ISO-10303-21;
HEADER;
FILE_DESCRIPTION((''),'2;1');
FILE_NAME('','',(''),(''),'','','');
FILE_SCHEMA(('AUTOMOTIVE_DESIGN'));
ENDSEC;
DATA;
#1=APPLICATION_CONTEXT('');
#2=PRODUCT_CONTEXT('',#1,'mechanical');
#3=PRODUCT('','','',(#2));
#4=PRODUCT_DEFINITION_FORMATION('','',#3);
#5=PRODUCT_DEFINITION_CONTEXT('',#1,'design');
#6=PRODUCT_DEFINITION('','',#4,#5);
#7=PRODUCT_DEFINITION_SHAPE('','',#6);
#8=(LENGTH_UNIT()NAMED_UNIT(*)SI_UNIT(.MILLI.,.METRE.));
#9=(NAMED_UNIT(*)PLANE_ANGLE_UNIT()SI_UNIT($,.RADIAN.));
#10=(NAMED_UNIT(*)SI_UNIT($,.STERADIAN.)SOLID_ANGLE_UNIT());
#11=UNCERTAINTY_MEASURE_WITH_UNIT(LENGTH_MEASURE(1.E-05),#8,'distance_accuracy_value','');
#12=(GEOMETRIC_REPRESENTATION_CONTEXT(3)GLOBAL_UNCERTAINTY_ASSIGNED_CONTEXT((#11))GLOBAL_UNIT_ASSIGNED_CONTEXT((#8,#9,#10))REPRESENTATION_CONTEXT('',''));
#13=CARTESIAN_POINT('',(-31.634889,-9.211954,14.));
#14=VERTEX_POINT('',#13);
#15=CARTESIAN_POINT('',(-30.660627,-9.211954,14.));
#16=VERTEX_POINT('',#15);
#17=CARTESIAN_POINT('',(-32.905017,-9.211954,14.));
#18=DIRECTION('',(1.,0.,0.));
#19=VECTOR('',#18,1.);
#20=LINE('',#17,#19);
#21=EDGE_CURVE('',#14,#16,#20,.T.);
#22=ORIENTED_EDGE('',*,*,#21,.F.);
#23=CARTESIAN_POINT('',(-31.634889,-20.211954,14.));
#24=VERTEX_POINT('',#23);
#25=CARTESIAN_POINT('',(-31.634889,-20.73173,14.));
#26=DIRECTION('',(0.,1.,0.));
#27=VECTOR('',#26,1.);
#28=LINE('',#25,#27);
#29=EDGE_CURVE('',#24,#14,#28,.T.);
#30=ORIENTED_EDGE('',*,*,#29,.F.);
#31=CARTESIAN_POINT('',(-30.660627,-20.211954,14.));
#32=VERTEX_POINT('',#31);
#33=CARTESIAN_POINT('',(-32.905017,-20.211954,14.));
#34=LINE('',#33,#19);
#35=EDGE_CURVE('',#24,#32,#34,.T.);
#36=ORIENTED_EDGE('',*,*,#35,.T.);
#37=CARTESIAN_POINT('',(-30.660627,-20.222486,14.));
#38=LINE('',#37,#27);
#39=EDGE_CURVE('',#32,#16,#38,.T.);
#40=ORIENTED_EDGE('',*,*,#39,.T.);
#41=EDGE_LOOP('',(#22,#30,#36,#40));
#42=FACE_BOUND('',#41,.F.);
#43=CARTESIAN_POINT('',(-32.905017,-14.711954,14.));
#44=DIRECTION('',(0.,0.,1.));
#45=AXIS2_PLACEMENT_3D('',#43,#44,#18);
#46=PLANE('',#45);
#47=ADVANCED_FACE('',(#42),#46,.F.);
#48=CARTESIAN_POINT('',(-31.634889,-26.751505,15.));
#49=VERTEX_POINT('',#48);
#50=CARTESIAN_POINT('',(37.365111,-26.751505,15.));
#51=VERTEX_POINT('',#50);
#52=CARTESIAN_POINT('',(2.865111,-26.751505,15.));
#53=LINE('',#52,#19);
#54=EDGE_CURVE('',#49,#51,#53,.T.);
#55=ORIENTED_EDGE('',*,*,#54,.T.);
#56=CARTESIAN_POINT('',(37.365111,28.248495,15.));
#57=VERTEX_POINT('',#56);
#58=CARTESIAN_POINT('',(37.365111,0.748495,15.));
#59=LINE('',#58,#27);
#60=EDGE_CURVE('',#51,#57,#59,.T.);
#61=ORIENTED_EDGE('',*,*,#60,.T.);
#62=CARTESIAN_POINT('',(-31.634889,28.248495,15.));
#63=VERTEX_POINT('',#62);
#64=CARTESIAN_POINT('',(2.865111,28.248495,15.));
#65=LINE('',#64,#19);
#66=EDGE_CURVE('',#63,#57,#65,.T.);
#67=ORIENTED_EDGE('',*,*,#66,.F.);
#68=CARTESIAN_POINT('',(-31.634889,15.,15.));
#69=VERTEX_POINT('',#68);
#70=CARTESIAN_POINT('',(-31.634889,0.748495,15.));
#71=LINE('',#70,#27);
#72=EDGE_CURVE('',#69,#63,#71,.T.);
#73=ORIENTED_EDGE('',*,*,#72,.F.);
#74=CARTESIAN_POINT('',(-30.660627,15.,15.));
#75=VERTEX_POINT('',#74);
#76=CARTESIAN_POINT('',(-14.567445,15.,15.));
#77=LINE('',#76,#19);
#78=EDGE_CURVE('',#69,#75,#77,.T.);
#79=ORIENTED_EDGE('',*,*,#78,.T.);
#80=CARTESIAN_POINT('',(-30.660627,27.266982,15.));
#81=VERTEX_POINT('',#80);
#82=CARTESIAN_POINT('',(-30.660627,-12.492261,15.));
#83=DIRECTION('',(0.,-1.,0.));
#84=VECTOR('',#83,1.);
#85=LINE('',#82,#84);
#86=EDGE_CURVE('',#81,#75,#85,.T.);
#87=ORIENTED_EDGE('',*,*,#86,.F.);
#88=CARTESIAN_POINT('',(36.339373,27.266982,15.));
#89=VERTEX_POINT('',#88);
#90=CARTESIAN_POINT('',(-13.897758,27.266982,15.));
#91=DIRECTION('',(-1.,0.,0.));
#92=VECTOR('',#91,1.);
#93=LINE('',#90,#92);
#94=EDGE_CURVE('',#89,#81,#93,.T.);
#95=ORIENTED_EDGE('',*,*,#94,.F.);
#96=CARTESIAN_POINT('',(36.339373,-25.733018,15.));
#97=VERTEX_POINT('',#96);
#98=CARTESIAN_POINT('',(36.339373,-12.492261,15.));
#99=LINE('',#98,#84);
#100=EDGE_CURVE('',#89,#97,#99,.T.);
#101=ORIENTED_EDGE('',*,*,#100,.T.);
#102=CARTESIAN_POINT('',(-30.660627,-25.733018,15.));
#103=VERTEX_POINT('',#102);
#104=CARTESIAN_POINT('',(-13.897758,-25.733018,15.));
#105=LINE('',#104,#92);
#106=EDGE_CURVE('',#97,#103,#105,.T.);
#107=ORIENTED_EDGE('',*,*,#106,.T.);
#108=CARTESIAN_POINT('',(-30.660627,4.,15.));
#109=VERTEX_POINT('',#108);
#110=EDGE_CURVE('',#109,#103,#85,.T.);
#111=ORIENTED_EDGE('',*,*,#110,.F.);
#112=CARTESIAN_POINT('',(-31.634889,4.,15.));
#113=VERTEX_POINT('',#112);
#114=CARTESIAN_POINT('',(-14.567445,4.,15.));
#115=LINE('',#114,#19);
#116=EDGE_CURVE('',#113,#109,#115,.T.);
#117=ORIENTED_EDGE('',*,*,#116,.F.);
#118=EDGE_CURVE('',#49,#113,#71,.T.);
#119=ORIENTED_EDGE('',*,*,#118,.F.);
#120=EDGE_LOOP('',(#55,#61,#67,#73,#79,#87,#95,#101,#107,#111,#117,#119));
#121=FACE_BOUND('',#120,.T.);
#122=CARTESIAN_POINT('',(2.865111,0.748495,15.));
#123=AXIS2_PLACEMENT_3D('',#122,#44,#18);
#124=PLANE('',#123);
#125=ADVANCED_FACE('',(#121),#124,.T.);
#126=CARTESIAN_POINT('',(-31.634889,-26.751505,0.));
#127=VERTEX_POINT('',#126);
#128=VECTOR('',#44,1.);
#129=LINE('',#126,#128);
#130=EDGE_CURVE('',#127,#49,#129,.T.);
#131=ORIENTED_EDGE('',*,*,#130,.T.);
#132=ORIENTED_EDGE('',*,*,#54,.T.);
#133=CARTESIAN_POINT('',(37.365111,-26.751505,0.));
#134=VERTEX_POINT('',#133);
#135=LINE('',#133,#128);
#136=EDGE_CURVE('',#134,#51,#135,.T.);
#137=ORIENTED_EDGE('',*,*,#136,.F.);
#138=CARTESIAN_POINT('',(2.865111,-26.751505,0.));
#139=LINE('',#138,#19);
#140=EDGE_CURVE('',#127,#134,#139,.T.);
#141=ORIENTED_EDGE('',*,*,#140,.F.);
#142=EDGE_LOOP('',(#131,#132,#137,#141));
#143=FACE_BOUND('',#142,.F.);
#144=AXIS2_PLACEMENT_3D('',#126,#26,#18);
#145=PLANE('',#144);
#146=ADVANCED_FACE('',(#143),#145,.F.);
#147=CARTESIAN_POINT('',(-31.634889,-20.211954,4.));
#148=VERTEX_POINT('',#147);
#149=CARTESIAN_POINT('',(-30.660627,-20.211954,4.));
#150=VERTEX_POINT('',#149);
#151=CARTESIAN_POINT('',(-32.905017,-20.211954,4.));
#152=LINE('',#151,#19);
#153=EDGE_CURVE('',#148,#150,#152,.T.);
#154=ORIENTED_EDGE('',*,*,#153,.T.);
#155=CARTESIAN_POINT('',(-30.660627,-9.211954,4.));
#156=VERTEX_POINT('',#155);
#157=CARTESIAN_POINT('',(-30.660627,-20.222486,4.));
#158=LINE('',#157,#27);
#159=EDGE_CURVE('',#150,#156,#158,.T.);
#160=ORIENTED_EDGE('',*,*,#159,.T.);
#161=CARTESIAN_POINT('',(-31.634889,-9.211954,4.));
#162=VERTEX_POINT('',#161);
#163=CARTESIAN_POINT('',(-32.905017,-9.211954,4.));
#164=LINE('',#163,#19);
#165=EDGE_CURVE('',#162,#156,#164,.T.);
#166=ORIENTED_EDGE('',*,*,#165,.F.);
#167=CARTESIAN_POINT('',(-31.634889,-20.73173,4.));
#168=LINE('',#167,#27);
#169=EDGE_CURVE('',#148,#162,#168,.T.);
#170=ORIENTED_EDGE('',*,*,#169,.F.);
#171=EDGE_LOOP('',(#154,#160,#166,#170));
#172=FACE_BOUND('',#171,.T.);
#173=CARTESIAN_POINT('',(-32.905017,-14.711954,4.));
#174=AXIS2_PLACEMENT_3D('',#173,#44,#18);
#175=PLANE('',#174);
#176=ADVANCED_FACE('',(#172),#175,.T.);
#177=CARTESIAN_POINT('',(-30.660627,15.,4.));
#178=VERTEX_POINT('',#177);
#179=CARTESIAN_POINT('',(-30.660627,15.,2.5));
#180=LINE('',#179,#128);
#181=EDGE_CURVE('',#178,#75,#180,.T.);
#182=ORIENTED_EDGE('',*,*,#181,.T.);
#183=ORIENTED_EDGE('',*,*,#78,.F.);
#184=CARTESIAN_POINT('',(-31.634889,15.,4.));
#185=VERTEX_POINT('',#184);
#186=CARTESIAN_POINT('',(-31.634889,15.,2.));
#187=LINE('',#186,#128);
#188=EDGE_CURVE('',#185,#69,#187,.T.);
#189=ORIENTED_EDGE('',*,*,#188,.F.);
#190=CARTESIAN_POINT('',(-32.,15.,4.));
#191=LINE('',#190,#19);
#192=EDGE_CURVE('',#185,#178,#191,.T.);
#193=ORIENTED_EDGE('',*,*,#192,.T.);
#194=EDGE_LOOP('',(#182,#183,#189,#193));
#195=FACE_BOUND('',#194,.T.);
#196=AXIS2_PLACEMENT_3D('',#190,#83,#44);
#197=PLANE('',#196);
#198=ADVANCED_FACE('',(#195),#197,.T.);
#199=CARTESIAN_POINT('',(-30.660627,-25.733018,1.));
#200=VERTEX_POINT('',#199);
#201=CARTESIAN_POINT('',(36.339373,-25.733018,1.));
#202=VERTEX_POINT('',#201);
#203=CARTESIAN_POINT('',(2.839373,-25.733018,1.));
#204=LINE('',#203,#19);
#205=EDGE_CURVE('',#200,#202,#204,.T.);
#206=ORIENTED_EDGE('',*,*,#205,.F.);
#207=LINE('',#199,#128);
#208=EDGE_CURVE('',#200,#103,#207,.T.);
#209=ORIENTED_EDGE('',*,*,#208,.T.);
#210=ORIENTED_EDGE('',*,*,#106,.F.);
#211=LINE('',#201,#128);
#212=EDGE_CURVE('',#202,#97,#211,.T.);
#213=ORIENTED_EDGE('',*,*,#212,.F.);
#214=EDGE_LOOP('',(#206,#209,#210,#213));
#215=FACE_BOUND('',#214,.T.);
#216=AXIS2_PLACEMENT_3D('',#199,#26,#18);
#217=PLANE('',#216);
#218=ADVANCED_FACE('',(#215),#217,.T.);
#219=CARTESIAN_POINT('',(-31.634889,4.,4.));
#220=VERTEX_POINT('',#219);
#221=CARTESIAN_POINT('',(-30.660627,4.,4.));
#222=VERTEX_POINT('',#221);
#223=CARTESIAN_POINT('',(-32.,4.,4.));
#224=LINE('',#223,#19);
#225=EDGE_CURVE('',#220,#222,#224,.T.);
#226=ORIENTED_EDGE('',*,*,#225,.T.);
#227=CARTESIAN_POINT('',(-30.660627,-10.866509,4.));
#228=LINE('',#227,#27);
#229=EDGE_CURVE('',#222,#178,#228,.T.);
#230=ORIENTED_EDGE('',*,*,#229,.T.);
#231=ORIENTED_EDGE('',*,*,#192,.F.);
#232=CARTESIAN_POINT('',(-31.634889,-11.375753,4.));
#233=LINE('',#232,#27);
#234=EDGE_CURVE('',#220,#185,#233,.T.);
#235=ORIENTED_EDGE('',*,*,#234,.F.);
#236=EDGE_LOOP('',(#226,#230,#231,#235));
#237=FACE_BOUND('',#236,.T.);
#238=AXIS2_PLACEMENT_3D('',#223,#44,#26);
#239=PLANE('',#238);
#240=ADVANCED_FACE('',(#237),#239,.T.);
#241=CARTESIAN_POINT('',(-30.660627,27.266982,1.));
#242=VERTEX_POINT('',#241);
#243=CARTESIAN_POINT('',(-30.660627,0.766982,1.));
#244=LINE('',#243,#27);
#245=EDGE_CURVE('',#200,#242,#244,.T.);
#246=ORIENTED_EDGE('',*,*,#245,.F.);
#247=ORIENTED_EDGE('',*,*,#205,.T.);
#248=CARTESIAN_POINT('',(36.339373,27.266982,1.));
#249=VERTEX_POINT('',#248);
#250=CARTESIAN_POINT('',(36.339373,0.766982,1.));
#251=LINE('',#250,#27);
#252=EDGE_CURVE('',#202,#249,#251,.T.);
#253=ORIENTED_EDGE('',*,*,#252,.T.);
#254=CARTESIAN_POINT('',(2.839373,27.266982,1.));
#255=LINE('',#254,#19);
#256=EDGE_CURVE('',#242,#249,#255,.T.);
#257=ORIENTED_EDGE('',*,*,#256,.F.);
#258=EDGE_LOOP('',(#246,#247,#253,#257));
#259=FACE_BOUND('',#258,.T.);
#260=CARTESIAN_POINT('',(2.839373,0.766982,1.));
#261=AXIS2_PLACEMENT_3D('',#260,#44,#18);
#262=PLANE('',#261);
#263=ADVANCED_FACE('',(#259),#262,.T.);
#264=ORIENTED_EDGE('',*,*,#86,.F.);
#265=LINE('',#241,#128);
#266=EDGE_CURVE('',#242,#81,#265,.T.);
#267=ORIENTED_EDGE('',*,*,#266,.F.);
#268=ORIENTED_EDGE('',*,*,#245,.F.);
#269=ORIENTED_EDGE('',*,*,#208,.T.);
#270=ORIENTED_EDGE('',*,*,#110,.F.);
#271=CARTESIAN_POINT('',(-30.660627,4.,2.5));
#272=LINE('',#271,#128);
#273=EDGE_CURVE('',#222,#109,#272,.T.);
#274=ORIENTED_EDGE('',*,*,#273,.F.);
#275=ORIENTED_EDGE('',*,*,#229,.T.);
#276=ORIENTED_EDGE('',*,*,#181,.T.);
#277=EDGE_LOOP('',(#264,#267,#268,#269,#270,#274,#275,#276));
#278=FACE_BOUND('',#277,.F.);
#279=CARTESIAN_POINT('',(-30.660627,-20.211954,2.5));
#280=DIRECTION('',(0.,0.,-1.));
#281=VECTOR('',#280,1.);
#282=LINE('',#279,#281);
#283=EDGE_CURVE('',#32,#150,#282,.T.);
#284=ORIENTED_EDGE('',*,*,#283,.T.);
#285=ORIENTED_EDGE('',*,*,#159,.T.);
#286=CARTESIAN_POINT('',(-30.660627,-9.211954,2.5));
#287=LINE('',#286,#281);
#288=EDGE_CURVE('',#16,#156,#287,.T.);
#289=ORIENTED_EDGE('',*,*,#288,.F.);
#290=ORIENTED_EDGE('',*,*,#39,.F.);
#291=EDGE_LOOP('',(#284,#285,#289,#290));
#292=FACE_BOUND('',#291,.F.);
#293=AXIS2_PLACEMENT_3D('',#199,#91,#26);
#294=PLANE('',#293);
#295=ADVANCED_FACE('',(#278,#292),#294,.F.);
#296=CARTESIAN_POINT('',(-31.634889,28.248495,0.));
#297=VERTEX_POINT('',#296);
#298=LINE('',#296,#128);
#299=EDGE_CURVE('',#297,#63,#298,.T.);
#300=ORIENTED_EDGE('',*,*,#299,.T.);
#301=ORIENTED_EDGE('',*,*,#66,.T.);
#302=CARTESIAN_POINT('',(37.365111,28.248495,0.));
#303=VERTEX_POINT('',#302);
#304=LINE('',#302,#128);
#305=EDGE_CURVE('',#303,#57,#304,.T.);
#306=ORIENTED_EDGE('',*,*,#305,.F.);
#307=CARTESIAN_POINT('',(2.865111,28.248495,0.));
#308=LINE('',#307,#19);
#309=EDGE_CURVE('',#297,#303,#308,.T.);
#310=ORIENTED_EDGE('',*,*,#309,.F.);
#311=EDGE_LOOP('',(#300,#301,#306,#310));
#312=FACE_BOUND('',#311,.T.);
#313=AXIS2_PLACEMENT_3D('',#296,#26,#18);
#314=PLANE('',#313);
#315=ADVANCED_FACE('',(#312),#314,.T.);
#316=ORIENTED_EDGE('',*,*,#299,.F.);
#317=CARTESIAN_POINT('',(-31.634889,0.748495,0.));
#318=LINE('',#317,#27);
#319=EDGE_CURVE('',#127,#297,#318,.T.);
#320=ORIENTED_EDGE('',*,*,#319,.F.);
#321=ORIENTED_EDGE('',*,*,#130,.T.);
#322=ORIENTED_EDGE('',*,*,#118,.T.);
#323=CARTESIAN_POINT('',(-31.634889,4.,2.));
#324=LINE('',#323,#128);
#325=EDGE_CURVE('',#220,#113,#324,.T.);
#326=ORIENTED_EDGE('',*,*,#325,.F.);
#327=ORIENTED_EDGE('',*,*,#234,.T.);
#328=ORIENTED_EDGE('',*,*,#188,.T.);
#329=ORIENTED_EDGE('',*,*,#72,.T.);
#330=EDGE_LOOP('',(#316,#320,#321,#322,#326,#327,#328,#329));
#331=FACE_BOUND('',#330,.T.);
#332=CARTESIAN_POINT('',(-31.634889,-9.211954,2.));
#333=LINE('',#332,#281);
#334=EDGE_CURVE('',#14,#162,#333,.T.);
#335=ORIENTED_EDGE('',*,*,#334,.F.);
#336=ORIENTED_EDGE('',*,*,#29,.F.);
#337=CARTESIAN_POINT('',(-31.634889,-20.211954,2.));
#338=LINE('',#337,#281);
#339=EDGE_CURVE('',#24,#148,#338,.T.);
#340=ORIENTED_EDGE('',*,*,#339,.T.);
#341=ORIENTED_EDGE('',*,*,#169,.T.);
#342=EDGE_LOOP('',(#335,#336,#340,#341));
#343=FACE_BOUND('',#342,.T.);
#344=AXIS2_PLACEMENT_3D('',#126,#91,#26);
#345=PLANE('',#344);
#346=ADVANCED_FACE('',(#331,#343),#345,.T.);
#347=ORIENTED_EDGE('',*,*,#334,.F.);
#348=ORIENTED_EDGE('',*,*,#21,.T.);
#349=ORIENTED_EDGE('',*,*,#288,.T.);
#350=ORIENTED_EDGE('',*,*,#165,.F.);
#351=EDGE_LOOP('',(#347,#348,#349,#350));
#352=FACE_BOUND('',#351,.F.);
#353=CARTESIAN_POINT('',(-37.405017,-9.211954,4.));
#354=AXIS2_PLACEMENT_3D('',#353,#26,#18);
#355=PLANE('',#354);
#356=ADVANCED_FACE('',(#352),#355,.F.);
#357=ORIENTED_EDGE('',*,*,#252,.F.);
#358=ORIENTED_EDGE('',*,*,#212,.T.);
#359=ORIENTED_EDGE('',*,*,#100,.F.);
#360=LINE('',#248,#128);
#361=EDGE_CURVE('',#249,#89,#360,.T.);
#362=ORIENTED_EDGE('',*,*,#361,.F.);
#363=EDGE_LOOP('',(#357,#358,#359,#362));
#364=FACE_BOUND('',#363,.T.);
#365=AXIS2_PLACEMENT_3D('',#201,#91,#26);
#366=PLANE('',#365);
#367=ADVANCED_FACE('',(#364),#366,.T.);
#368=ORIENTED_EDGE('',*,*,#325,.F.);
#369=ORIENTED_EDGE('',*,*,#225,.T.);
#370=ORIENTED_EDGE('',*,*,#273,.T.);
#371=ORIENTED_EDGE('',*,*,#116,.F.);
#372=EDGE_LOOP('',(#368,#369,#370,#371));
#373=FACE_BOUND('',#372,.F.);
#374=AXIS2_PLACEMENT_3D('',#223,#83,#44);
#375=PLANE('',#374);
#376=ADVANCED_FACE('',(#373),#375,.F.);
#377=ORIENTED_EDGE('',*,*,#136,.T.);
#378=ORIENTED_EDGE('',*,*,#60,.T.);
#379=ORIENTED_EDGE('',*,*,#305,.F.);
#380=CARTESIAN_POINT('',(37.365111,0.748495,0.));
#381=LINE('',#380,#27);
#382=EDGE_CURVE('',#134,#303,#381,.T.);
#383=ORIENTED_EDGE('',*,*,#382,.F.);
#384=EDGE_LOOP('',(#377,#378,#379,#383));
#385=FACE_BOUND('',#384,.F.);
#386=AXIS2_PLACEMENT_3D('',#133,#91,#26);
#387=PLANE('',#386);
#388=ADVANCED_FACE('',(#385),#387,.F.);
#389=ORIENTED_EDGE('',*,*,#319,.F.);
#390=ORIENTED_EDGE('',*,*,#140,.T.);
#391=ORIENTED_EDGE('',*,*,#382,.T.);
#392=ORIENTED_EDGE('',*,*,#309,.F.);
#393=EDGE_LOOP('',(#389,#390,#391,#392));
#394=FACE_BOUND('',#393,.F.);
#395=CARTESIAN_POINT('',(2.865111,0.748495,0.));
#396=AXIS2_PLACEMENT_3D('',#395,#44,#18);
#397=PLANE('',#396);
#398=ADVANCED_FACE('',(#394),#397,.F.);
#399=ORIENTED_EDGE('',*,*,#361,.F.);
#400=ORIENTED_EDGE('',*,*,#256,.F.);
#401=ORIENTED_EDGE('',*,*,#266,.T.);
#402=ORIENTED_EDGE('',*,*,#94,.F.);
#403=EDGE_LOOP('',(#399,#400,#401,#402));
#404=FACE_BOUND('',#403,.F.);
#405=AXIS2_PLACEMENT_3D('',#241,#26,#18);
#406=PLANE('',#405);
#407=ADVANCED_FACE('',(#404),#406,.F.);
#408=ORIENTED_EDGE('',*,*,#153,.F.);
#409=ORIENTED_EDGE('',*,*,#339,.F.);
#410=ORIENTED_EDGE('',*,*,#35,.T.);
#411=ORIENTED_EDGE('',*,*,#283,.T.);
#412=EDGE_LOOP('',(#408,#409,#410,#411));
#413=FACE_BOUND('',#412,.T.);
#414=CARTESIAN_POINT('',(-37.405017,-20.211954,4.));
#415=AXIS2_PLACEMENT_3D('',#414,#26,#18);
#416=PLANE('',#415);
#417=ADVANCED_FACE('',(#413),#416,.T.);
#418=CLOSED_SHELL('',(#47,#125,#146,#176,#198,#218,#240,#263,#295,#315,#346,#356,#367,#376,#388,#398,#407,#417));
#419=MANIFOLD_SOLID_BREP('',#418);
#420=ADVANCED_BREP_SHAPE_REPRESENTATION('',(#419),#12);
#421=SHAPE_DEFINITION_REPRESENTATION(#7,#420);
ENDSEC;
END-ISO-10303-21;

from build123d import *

# Parameters (mm, degrees)
SKETCH001_W  = 67
SKETCH001_H  = 53
PAD001_DEPTH = 15
SKETCH002_W  = 11
SKETCH002_H  = 12
PAD002_DEPTH = 10
SKETCH003_W  = 9
SKETCH003_H  = 11
PAD003_DEPTH = 10
SKETCH_W     = 69
SKETCH_H     = 55
PAD_DEPTH    = 15


with BuildPart() as body001:
    # Sketch001 → Pad001 (new body)
    with BuildSketch(Plane.XY):
        with Locations((-27.160627, -58.233018)):
            Rectangle(SKETCH001_W, SKETCH001_H)
    extrude(amount=PAD001_DEPTH)


with BuildPart() as body001_1:
    # Body001 placement: moved
    add(body001.part.moved(Location((30, 59, 1))))


with BuildPart() as body002:
    # Sketch002 → Pad002 (new body)
    with BuildSketch(Plane.YZ):
        with Locations((5.5, 6)):
            Rectangle(SKETCH002_W, SKETCH002_H)
    extrude(amount=PAD002_DEPTH)


with BuildPart() as body002_1:
    # Body002 placement: moved
    add(body002.part.moved(Location((-32, 4, 4))))


with BuildPart() as body003:
    # Sketch003 → Pad003 (new body)
    with BuildSketch(Plane.XY):
        with Locations((-41.905017, -12.711954)):
            Rectangle(SKETCH003_W, SKETCH003_H)
    extrude(amount=PAD003_DEPTH)


with BuildPart() as body003_1:
    # Body003 placement: moved
    add(body003.part.moved(Location((9, -2, 4))))


with BuildPart() as body:
    # Sketch → Pad (new body)
    with BuildSketch(Plane.XY):
        with Locations((2.865111, 0.748495)):
            Rectangle(SKETCH_W, SKETCH_H)
    extrude(amount=PAD_DEPTH)

    # Boolean: cut Body001
    add(body001_1.part, mode=Mode.SUBTRACT)

    # Boolean001: cut Body002
    add(body002_1.part, mode=Mode.SUBTRACT)

    # Boolean002: cut Body003
    add(body003_1.part, mode=Mode.SUBTRACT)


solid = body.part
